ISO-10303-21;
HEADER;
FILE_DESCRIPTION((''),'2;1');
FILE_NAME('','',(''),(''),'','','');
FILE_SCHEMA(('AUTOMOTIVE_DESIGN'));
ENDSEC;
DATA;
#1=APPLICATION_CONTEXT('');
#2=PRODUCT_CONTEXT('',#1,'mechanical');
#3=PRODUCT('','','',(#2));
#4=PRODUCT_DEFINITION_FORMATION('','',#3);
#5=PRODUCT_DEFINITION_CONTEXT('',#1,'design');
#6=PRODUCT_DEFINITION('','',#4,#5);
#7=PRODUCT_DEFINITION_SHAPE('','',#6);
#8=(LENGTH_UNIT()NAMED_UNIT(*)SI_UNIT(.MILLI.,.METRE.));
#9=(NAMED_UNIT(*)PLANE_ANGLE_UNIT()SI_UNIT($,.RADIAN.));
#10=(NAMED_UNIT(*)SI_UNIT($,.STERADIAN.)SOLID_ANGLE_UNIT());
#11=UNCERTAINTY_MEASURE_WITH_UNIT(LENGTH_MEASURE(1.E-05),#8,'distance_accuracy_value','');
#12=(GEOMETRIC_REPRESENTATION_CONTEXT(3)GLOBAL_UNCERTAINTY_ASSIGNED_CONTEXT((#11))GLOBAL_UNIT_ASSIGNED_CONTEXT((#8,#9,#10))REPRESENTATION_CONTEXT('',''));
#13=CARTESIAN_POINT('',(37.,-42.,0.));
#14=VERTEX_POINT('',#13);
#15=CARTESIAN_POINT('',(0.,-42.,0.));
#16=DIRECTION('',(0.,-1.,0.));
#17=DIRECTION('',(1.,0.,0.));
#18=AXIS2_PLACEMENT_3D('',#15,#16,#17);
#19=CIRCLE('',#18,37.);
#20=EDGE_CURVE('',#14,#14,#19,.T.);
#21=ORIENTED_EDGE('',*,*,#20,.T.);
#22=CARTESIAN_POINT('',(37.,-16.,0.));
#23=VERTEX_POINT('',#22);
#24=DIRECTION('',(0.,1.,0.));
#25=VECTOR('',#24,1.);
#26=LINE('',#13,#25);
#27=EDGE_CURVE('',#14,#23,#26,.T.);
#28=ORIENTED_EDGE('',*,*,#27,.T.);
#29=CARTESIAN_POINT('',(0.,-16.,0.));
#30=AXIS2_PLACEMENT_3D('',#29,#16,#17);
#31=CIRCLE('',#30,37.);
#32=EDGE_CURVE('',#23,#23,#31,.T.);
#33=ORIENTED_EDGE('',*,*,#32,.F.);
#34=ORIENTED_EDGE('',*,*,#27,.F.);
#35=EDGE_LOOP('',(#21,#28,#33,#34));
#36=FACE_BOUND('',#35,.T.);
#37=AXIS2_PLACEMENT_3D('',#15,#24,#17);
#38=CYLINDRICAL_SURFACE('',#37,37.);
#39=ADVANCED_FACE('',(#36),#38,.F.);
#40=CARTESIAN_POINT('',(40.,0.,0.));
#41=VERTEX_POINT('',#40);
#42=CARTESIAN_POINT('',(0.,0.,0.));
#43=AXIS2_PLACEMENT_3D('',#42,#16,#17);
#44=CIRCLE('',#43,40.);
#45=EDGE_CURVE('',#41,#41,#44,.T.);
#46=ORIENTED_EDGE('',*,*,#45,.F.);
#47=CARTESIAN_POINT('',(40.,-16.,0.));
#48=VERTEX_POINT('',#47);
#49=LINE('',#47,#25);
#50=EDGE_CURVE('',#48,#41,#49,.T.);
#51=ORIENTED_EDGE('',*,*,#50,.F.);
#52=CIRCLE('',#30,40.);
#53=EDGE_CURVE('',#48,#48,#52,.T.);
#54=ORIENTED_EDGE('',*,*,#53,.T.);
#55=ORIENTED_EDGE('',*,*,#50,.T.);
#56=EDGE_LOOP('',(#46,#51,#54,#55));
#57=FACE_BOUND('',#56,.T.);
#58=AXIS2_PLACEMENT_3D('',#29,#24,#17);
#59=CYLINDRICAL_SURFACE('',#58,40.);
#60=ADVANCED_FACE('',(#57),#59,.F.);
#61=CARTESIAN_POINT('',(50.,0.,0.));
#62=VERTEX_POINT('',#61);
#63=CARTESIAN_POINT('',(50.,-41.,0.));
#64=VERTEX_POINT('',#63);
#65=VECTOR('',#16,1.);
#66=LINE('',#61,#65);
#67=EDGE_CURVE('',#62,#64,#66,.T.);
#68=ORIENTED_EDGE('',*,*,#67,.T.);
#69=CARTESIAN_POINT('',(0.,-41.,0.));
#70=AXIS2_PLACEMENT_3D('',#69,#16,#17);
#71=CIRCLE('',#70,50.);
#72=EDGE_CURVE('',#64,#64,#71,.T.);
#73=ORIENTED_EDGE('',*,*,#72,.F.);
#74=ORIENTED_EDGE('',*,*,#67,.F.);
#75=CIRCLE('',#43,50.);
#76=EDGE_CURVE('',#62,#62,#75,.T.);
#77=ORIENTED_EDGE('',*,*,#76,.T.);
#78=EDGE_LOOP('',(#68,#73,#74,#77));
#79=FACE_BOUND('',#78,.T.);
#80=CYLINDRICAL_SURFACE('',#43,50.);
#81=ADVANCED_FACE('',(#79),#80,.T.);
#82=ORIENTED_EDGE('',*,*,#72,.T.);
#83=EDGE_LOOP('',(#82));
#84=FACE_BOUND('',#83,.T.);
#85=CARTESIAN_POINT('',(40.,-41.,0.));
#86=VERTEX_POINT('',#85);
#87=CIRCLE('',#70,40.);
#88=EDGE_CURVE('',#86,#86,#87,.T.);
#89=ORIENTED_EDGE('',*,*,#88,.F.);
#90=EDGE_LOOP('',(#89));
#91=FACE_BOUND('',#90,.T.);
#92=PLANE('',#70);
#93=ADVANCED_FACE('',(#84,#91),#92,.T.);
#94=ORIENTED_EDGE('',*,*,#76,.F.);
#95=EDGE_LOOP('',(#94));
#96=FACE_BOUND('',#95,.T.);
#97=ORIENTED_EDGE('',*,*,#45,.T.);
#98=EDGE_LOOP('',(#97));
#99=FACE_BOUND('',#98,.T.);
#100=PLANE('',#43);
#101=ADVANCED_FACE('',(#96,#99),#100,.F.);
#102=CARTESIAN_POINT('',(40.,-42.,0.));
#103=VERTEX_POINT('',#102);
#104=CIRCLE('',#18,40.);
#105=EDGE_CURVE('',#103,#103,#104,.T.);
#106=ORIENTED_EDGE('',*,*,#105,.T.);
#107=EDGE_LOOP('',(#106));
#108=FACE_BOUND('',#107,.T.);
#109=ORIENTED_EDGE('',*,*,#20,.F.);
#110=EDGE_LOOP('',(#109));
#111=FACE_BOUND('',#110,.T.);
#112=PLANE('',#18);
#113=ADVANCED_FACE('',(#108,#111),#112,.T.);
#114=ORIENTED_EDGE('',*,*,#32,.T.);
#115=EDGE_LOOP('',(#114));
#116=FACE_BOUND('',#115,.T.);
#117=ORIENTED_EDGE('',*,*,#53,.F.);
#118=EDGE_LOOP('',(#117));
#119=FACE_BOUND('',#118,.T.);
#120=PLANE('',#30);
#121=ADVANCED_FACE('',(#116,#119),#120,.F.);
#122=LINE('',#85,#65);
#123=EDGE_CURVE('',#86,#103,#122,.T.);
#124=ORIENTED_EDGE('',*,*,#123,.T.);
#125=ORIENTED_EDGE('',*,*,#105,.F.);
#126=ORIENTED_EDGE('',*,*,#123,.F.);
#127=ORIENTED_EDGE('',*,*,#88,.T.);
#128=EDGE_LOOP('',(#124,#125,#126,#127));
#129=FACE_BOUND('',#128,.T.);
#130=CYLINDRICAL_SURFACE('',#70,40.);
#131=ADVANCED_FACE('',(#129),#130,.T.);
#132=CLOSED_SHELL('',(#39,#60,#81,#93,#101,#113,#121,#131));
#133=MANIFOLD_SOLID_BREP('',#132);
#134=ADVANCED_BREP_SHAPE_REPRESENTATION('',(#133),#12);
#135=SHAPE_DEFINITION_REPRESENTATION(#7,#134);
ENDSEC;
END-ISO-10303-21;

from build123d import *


with BuildPart() as part:
    # 草圖1 → 旋轉1 (revolve)
    with BuildSketch(Plane.XY):
        Polygon((40, 0), (50, 0), (50, -41), (40, -41), (40, -42), (37, -42), (37, -16), (40, -16), align=None)
    revolve(axis=Axis((0, 36.486224101, 0), (0, -1, 0)))


solid = part.part
